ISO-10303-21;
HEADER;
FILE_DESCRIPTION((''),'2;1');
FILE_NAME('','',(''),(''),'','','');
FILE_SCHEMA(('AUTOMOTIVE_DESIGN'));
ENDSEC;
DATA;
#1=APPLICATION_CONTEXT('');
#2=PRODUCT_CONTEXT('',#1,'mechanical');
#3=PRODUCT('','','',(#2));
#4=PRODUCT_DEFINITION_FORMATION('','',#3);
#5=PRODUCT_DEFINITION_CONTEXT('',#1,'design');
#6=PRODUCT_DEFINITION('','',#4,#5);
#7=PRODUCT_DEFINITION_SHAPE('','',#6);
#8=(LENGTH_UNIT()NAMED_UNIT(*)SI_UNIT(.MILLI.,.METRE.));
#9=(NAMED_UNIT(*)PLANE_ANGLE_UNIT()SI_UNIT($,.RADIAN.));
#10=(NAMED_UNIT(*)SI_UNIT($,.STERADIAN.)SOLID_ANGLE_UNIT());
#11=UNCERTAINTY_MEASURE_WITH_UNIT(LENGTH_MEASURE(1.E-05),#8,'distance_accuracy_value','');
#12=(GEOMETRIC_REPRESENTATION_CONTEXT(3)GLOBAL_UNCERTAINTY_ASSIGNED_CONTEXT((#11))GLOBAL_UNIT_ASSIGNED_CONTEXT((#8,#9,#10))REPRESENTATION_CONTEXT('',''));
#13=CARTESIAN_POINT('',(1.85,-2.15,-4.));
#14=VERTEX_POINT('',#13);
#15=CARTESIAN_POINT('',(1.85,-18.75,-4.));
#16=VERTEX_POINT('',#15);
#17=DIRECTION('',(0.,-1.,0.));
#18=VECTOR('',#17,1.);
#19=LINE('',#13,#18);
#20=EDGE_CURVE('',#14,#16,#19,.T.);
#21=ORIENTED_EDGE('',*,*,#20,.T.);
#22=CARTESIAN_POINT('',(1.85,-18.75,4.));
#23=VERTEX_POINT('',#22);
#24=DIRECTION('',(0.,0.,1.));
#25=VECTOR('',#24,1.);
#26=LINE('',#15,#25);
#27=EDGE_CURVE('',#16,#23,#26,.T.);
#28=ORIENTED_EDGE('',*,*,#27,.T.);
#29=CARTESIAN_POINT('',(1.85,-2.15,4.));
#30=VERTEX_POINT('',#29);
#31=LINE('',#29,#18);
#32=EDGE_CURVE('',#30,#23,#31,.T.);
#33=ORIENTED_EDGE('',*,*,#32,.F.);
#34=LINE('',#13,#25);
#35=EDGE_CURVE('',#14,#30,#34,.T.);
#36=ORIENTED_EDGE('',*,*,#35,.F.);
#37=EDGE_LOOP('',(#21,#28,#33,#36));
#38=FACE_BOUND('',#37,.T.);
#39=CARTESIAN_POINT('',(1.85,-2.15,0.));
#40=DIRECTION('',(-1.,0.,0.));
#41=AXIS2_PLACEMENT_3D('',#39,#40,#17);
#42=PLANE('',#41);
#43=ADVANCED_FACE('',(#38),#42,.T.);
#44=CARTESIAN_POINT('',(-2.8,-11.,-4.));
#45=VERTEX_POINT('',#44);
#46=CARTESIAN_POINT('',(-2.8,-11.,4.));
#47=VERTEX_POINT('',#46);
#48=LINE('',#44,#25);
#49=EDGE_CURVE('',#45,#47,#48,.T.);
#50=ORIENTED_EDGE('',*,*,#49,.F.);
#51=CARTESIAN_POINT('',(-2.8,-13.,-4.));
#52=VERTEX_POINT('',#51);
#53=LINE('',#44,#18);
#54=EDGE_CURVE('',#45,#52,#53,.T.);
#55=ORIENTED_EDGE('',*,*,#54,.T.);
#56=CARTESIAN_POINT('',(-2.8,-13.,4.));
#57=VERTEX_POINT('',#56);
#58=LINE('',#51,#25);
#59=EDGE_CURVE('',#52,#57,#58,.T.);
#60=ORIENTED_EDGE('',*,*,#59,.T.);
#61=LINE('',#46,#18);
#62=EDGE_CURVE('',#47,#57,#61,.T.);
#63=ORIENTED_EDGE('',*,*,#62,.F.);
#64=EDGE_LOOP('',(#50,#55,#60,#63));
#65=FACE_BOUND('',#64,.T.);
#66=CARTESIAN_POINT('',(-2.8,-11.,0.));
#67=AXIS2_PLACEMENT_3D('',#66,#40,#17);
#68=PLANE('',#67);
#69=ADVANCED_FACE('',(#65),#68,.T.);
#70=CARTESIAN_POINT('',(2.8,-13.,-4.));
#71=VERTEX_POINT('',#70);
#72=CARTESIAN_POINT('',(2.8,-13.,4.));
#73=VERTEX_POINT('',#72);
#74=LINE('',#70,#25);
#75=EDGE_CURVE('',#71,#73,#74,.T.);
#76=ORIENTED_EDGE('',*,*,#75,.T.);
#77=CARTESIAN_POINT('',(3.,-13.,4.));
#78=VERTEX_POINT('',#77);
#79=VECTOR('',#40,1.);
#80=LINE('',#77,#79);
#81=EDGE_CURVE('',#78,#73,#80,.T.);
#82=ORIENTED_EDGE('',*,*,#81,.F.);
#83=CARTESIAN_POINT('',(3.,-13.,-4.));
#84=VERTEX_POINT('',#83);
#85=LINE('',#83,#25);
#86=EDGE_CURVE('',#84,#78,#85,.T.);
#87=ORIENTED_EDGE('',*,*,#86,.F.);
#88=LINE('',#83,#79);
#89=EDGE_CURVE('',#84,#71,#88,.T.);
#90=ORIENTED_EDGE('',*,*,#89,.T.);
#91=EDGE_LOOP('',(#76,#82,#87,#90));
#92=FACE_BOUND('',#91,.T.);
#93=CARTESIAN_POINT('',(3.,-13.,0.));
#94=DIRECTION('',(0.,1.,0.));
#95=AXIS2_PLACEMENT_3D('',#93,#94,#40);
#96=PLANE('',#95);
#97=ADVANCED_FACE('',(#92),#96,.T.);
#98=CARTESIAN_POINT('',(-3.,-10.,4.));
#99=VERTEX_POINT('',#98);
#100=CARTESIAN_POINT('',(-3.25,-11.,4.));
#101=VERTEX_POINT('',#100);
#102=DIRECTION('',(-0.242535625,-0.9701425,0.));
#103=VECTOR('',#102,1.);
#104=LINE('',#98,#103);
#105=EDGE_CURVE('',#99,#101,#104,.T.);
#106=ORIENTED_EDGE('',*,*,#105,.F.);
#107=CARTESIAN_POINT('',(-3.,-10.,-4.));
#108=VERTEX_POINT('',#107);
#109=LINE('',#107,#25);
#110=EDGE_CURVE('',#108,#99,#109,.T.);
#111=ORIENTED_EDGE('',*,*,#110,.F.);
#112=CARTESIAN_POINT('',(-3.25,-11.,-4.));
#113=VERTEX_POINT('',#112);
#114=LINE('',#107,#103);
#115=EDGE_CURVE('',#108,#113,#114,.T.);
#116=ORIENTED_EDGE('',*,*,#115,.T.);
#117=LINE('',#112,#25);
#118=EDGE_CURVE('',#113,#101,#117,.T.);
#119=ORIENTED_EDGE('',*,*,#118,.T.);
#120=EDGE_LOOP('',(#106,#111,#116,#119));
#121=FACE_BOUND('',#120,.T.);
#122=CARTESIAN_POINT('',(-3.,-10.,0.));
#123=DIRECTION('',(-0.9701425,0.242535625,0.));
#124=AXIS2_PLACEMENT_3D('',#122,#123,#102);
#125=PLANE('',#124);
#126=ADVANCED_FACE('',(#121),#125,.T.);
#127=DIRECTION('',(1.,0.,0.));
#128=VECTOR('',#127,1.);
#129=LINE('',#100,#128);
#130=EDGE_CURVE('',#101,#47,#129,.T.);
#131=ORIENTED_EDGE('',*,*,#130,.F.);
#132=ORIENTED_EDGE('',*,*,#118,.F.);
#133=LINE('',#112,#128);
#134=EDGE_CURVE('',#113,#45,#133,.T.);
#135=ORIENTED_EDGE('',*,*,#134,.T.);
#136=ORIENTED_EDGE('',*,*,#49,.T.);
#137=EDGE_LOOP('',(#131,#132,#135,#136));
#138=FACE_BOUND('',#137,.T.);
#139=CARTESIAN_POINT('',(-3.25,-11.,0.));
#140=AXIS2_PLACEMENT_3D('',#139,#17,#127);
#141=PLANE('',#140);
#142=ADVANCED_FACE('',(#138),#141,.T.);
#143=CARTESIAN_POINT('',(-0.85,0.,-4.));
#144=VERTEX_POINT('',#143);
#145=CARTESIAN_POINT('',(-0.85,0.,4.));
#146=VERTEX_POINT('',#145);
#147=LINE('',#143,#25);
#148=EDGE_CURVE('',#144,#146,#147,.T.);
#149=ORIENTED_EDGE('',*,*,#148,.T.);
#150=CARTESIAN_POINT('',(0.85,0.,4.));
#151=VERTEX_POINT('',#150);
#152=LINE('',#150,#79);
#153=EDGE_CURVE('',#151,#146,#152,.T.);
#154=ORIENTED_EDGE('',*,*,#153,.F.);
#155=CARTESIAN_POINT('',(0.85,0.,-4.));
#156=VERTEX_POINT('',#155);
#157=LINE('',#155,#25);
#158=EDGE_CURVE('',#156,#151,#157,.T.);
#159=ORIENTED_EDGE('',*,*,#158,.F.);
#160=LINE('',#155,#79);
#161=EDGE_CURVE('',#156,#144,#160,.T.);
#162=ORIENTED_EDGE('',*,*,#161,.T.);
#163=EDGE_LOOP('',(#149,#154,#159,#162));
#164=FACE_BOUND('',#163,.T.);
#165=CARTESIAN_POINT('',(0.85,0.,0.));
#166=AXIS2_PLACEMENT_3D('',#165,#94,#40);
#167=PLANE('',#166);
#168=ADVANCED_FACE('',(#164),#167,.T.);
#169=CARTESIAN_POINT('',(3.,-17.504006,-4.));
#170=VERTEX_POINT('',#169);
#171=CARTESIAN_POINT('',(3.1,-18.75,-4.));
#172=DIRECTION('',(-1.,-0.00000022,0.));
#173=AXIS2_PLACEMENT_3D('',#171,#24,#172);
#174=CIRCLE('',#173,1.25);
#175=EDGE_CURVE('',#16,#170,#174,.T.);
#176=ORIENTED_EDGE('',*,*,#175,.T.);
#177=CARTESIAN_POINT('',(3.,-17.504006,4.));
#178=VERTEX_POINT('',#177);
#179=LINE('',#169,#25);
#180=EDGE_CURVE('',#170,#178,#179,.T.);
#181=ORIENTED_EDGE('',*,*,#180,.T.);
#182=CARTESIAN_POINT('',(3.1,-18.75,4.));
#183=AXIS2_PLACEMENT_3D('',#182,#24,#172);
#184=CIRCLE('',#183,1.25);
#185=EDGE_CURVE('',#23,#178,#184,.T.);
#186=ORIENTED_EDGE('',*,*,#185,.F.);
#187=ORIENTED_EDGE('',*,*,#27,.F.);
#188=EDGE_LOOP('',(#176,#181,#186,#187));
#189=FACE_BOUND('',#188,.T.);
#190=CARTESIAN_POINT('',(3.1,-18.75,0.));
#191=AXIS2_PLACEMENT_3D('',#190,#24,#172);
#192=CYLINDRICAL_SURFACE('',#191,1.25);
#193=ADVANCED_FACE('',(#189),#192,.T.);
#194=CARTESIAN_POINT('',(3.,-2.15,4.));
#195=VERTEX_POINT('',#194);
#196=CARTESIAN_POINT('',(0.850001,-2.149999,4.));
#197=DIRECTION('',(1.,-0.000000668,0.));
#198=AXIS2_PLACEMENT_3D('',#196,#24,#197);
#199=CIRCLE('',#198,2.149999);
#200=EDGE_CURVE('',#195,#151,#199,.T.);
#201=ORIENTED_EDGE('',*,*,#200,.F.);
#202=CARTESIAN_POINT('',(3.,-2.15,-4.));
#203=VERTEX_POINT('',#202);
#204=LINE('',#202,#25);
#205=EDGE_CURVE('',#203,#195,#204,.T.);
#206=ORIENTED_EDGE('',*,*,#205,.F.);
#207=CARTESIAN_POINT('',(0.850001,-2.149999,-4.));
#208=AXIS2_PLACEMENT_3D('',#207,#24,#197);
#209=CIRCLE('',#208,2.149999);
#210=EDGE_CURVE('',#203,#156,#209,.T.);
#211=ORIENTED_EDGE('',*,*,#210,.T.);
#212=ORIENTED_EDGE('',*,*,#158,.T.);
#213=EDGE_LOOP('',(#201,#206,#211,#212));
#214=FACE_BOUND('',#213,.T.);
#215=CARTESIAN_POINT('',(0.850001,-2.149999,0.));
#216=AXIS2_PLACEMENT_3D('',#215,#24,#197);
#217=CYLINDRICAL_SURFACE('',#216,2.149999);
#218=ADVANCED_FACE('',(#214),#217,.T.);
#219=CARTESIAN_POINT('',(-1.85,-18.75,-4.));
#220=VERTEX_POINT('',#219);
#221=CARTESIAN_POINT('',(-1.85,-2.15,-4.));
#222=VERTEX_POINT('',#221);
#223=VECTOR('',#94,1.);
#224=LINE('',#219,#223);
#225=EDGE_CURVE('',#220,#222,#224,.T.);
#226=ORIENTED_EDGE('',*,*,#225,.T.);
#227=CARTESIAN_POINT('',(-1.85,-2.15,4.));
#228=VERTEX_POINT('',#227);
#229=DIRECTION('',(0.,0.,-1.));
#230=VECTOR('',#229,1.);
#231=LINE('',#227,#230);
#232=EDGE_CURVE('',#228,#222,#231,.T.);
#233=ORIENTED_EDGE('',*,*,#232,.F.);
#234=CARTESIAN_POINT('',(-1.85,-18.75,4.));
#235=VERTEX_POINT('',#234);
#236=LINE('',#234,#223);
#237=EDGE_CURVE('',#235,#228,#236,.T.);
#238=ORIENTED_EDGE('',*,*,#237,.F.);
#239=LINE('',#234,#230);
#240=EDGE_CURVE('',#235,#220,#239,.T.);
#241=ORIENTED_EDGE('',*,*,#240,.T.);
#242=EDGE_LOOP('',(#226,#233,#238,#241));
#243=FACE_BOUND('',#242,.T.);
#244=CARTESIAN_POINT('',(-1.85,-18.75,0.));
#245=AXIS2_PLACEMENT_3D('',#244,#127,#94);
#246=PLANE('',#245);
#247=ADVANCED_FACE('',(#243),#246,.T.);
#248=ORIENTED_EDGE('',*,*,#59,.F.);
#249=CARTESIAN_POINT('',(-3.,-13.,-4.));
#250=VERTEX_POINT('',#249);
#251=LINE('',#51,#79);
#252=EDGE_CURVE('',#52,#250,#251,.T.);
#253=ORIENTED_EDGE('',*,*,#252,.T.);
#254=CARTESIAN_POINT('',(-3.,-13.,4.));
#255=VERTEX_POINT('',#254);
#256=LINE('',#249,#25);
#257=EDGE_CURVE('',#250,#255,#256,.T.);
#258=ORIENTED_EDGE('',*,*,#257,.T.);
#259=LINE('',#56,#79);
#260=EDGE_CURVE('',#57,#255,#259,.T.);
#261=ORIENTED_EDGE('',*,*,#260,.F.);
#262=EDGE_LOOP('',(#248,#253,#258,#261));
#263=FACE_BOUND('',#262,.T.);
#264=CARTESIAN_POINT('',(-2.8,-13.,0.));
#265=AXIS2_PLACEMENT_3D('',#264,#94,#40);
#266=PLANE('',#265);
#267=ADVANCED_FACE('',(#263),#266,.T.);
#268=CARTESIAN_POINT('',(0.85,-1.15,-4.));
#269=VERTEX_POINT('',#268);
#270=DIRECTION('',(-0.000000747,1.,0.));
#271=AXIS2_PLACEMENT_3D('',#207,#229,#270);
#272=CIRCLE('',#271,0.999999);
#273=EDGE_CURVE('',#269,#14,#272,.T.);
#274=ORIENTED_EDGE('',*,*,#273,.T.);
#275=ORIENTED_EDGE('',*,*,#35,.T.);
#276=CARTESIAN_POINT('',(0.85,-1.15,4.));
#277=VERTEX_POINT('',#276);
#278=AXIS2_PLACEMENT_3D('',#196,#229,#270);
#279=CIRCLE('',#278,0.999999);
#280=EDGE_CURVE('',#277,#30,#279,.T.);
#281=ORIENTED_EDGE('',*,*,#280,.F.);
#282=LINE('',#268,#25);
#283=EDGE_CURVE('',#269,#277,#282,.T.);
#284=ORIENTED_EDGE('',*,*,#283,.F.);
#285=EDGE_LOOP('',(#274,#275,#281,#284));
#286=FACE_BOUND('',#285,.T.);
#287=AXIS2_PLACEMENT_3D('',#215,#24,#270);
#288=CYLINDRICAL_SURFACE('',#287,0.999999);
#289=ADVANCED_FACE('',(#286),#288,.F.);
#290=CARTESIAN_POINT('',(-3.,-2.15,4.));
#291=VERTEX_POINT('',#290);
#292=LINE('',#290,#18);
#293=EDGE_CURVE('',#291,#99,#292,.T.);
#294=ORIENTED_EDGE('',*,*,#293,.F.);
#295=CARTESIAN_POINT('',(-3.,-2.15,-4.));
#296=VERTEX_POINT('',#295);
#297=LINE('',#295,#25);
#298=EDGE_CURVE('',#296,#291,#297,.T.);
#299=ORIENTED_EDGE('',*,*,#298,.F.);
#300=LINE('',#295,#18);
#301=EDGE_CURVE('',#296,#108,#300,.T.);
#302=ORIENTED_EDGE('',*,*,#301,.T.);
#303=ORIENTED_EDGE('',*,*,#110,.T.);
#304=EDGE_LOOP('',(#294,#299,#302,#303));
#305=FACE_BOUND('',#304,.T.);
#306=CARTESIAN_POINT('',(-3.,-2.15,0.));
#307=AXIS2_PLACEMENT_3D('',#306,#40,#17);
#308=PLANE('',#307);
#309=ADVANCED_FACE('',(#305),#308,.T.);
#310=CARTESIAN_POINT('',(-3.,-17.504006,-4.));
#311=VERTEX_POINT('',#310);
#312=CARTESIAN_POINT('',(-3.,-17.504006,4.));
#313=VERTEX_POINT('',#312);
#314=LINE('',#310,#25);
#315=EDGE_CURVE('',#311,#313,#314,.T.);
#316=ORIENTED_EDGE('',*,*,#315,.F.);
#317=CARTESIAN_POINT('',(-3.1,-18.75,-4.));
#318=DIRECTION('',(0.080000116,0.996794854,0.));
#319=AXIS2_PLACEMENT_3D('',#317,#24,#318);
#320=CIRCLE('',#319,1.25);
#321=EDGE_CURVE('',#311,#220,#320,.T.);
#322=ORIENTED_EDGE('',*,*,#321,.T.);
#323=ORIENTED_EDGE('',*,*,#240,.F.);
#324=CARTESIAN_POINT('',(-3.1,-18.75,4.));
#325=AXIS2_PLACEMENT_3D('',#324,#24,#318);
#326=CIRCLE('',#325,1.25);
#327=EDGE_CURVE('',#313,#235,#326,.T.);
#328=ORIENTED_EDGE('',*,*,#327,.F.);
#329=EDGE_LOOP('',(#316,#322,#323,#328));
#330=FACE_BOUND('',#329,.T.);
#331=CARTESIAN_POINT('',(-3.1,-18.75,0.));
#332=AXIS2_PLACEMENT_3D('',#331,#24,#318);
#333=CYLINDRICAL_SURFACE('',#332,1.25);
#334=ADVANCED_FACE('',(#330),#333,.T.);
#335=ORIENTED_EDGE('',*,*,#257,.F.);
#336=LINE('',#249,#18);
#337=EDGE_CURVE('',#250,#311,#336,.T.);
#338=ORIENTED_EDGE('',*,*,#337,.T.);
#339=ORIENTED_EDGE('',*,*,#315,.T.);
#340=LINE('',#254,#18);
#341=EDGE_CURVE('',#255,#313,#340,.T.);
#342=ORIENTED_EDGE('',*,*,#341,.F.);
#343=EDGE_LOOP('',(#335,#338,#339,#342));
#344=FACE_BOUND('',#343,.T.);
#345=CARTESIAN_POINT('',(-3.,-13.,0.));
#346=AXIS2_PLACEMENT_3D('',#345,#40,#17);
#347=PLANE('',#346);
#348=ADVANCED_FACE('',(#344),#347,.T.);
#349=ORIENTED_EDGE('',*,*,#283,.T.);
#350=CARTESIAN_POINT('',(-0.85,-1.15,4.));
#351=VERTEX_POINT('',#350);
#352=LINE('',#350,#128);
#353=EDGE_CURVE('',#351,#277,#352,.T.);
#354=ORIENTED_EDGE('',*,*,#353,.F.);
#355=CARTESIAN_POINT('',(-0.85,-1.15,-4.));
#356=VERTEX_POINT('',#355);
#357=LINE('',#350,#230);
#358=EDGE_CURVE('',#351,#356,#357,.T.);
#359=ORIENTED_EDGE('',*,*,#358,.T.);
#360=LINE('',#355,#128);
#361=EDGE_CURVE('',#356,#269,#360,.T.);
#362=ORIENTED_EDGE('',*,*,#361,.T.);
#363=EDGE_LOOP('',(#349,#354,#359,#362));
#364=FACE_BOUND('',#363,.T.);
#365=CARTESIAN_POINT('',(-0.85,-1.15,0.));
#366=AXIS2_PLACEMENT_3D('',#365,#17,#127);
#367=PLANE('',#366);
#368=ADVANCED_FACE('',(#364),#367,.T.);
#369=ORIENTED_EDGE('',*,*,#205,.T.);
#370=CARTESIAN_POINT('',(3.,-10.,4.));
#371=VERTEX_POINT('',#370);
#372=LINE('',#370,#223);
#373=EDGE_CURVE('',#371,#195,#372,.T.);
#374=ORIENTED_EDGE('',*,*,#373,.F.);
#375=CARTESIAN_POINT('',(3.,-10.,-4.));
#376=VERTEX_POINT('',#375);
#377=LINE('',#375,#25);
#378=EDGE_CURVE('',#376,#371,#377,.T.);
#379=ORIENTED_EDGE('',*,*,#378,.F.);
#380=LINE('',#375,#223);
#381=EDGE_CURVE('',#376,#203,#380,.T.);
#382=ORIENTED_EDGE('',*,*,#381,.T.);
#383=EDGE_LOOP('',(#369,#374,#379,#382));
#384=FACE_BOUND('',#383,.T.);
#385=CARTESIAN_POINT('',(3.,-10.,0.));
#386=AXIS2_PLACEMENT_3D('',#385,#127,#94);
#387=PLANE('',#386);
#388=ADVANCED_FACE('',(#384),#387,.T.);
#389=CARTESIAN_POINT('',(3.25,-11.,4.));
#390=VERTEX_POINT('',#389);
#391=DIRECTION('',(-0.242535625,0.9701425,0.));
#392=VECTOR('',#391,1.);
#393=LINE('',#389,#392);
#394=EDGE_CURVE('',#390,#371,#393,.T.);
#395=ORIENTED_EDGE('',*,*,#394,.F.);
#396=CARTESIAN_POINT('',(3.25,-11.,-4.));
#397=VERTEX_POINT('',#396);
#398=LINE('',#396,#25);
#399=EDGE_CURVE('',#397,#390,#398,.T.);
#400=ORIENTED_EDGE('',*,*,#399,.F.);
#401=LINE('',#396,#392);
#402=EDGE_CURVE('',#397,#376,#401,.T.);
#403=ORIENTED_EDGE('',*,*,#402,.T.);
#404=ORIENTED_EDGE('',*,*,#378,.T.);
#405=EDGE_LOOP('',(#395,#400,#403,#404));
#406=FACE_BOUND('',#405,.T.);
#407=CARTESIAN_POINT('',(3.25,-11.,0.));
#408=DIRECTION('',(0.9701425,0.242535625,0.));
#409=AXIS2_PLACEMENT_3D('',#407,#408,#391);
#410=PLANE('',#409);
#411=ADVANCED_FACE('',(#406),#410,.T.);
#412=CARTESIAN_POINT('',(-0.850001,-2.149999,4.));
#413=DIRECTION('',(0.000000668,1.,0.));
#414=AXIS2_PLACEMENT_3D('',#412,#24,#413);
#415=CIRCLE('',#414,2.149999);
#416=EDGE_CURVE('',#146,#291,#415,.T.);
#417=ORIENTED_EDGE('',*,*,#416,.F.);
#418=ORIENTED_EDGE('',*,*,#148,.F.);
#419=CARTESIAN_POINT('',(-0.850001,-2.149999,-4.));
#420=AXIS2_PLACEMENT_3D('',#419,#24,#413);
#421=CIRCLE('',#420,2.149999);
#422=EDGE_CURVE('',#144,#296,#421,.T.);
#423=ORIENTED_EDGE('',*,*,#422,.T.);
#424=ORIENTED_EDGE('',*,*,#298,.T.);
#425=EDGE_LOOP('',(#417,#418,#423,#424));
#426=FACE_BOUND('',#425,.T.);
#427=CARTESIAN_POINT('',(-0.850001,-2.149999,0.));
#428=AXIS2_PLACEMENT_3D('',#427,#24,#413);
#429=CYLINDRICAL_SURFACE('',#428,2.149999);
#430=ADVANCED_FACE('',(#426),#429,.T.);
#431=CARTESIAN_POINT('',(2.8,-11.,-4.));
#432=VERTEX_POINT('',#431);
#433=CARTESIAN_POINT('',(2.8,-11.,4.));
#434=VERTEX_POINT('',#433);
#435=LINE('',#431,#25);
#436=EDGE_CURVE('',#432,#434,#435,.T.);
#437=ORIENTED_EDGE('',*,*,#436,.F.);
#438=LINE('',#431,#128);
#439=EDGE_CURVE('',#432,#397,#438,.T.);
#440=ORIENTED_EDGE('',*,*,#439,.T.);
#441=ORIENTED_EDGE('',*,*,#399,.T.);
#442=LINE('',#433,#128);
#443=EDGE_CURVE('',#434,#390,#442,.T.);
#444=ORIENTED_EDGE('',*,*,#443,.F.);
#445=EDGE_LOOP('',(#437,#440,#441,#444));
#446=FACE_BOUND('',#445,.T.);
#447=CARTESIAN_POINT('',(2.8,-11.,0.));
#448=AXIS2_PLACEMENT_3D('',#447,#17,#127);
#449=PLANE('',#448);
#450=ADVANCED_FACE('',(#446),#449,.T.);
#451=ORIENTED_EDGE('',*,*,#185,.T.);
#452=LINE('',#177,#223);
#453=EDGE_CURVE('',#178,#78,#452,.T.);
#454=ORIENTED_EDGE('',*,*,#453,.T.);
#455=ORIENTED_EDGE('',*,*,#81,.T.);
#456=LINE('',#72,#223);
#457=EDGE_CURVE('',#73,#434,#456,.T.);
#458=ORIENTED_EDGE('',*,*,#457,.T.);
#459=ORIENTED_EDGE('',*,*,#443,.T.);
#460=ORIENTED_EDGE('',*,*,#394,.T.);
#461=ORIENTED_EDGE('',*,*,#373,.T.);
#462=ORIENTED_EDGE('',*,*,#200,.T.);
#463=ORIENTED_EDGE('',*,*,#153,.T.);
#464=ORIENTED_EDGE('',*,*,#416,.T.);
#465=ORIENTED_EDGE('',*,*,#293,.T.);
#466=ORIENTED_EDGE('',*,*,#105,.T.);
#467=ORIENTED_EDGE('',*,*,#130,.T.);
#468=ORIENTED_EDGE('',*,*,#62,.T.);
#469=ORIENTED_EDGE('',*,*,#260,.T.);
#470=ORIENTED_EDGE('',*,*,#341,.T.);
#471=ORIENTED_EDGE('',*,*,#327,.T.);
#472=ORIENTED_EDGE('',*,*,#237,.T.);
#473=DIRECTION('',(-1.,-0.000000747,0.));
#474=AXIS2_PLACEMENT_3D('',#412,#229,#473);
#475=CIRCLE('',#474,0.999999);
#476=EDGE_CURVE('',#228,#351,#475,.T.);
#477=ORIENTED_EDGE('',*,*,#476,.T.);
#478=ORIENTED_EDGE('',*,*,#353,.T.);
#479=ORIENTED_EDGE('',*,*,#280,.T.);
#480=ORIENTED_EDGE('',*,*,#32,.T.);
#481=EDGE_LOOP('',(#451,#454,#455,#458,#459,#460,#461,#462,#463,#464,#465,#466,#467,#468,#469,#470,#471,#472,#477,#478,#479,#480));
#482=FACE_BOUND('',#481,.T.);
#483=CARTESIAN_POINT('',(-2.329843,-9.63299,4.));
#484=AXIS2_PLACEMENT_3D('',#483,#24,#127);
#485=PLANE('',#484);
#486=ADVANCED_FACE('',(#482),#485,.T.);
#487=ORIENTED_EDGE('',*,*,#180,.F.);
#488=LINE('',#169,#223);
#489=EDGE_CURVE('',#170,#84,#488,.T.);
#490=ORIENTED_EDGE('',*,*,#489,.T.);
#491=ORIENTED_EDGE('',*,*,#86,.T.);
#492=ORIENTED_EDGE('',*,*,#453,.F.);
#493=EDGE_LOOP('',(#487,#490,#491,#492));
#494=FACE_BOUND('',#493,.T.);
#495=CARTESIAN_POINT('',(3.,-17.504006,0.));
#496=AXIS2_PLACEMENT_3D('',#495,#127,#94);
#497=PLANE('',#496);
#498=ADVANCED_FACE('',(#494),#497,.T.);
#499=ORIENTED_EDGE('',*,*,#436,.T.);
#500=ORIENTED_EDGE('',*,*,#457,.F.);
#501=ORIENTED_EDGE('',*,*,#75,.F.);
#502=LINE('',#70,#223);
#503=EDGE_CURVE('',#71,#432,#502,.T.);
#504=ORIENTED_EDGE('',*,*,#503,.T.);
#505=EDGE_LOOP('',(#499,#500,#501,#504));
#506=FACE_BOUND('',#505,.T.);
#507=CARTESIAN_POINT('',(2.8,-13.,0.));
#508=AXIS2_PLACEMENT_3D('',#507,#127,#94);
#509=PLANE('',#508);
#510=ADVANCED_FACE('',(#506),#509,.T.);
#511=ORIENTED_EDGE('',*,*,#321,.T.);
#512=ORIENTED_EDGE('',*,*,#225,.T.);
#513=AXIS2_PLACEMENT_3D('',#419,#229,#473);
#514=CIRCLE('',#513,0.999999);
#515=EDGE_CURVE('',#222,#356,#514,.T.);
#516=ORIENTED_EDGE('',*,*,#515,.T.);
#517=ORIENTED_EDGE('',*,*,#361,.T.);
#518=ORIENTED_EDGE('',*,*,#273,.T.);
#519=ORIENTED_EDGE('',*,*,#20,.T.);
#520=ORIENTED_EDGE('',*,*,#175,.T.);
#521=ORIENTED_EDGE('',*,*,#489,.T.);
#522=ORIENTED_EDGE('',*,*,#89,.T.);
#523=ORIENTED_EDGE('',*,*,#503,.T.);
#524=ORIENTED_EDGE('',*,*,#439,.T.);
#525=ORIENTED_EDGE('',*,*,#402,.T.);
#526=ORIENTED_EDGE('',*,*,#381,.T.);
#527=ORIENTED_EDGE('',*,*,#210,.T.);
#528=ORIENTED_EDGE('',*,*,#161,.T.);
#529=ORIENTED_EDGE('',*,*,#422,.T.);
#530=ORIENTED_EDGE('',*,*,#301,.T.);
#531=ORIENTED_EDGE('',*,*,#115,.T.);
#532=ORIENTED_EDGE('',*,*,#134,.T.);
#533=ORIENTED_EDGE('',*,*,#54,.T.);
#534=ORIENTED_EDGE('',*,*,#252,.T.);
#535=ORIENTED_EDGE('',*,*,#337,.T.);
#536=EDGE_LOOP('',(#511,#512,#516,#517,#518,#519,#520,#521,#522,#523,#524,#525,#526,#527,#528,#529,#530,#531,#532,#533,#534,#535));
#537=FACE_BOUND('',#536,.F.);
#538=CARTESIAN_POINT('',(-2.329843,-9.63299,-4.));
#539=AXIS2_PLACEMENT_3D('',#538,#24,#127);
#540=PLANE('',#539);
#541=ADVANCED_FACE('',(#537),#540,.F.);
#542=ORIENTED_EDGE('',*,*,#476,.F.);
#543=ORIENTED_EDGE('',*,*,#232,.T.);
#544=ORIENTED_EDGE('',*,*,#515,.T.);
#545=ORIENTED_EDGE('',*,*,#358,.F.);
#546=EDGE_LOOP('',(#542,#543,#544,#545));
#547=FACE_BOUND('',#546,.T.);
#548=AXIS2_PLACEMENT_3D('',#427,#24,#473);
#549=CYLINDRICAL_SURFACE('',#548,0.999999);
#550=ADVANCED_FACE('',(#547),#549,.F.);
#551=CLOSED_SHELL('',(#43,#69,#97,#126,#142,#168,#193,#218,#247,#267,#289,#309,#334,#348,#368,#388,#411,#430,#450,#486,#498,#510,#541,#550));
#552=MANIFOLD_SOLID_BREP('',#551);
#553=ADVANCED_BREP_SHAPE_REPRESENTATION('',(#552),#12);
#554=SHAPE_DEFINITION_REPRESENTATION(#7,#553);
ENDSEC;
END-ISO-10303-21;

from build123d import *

# Parameters (mm, degrees)
F1_DEPTH = 4


with BuildPart() as f1:
    # F0 (on Top) → F1 (new body, symmetric)
    with BuildSketch(Plane.XY):
        with BuildLine():
            Line((-0.85, -1.15), (0, -1.15))
            Line((0, -1.15), (0, 0))
            Line((0, 0), (-0.85, 0))
            ThreePointArc((-0.85, 0), (-2.37028, -0.62972), (-3, -2.15))
            Line((-3, -2.15), (-3, -10))
            Line((-3, -10), (-3.25, -11))
            Line((-3.25, -11), (-2.8, -11))
            Line((-2.8, -11), (-2.8, -13))
            Line((-2.8, -13), (-3, -13))
            Line((-3, -13), (-3, -17.504006))
            ThreePointArc((-3, -17.504006), (-4.018559, -19.597791), (-1.85, -18.75))
            Line((-1.85, -18.75), (-1.85, -2.15))
            ThreePointArc((-1.85, -2.15), (-1.557107, -1.442893), (-0.85, -1.15))
        make_face()
        with BuildLine():
            Line((0, 0), (0, -1.15))
            Line((0, -1.15), (0.85, -1.15))
            ThreePointArc((0.85, -1.15), (1.557107, -1.442893), (1.85, -2.15))
            Line((1.85, -2.15), (1.85, -18.75))
            ThreePointArc((1.85, -18.75), (4.018559, -19.597791), (3, -17.504006))
            Line((3, -17.504006), (3, -13))
            Line((3, -13), (2.8, -13))
            Line((2.8, -13), (2.8, -11))
            Line((2.8, -11), (3.25, -11))
            Line((3.25, -11), (3, -10))
            Line((3, -10), (3, -2.15))
            ThreePointArc((3, -2.15), (2.37028, -0.62972), (0.85, 0))
            Line((0.85, 0), (0, 0))
        make_face()
    extrude(amount=F1_DEPTH, both=True)


solid = f1.part
